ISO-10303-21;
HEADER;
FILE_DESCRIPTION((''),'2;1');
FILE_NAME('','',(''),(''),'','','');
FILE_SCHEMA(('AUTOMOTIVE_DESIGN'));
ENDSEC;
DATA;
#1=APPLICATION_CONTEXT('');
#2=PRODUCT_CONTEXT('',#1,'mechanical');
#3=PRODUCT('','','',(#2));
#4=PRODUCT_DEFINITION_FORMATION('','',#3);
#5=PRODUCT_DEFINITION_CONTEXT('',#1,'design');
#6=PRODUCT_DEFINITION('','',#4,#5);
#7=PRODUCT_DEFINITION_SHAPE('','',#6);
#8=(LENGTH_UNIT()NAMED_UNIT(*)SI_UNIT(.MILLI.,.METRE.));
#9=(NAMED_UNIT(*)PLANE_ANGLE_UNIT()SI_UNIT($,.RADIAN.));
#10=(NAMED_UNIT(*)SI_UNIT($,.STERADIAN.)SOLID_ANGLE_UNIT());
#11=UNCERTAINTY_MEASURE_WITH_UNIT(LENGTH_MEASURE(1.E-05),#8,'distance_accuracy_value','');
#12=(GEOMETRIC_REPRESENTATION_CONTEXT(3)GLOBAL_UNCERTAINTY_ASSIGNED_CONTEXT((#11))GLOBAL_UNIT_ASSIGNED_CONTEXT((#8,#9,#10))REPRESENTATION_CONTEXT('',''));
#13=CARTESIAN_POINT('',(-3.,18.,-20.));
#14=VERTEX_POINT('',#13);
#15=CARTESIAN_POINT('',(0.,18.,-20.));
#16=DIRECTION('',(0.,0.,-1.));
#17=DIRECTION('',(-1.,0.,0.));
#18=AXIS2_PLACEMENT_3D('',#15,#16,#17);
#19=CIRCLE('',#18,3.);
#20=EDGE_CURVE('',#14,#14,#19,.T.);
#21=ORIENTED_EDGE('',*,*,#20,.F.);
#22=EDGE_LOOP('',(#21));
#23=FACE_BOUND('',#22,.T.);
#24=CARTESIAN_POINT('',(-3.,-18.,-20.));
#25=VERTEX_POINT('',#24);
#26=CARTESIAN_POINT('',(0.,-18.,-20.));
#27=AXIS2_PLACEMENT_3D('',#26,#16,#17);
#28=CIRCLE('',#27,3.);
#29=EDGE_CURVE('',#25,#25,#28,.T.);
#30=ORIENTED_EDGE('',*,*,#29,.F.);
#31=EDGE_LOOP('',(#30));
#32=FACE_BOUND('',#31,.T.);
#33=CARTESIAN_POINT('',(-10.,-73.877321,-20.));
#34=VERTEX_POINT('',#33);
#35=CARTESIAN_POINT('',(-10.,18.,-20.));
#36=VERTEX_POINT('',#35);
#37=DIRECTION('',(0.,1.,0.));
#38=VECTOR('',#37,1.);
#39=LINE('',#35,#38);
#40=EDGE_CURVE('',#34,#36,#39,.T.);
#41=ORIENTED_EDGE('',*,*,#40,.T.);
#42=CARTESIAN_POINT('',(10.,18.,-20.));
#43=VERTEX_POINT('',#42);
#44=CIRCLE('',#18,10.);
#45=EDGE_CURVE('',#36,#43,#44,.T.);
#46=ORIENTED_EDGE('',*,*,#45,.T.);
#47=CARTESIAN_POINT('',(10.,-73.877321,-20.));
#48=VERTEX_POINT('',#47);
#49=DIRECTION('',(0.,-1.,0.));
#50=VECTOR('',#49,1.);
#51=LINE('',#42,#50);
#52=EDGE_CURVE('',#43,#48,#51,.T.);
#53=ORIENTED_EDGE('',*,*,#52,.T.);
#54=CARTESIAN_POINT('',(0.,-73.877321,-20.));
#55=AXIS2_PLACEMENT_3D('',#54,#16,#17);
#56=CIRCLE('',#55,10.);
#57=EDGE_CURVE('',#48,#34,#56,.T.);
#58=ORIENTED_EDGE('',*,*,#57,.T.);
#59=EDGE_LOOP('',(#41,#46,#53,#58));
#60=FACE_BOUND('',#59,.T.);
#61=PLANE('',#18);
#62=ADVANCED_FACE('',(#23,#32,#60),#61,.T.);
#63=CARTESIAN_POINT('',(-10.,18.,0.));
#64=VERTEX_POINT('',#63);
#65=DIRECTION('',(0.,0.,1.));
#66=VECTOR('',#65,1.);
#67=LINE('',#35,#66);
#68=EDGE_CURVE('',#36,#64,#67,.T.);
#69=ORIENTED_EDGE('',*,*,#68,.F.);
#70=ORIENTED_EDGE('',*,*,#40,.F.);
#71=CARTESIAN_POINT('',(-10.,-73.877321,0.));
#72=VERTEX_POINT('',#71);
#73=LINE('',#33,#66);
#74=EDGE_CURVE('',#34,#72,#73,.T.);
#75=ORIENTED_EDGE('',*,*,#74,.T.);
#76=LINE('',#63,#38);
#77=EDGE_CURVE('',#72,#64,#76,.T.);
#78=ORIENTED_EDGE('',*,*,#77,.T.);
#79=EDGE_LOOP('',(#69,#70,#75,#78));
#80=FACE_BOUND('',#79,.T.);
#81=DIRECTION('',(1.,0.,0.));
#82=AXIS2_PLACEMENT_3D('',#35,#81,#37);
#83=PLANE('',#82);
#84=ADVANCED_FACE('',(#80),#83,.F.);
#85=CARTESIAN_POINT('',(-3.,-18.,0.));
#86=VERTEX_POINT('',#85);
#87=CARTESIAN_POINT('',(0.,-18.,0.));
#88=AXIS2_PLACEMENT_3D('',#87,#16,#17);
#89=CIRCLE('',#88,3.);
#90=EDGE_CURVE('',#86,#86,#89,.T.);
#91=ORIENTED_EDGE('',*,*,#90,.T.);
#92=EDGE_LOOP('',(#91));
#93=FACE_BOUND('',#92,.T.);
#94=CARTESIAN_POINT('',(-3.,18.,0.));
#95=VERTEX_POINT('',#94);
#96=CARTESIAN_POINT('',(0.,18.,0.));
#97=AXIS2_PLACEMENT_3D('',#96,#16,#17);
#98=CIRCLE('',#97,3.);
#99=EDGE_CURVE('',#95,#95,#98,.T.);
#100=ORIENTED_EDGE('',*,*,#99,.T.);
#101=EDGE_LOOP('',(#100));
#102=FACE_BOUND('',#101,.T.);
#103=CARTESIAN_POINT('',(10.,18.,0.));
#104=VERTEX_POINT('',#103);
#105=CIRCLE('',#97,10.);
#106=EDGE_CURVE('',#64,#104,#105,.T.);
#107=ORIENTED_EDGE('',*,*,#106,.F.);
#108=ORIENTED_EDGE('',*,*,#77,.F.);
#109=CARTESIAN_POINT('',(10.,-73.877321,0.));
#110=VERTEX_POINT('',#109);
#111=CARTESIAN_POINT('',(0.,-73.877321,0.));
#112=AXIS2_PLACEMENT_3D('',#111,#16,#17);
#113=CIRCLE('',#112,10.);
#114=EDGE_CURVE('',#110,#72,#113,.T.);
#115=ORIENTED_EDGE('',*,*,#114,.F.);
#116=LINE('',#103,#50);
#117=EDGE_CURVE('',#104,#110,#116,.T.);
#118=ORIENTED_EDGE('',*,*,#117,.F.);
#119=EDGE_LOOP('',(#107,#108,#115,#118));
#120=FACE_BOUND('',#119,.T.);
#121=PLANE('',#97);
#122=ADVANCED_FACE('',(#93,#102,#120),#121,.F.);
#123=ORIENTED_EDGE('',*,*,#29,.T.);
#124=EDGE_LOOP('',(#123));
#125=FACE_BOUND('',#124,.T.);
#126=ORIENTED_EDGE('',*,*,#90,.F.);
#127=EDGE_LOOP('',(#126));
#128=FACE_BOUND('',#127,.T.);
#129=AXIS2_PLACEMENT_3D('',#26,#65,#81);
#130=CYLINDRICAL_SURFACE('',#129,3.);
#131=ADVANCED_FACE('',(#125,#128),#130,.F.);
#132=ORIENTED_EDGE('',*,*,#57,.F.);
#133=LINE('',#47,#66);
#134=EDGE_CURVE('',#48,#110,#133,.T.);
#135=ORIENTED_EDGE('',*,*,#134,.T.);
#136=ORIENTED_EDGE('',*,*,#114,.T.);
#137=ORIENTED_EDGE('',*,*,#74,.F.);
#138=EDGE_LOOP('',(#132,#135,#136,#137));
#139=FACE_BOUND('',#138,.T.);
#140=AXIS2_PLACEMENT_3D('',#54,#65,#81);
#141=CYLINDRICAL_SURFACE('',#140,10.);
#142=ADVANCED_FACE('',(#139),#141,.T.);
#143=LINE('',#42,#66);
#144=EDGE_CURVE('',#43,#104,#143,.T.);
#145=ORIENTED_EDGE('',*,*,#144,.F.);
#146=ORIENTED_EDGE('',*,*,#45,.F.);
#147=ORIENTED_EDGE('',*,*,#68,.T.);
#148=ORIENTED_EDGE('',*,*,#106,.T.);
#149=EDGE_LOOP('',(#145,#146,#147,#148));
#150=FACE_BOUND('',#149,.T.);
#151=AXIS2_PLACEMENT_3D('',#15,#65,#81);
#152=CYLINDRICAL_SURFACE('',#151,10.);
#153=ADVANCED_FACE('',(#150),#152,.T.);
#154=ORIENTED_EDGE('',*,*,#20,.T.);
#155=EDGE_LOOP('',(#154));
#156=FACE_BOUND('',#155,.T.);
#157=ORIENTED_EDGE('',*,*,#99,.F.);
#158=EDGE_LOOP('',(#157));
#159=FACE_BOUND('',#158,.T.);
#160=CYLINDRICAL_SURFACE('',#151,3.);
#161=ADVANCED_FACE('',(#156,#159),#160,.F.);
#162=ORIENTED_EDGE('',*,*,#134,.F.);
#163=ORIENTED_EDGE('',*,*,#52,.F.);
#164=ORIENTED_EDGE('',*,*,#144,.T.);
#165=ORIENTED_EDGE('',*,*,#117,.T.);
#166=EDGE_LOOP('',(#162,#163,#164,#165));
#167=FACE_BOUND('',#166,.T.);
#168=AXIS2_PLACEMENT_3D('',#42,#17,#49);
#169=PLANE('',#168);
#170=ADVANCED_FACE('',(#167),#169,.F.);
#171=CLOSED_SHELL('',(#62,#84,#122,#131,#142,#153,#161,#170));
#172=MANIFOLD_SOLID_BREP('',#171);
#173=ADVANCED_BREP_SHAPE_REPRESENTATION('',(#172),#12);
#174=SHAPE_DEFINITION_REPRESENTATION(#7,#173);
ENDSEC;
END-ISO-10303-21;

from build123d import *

# Parameters (mm, degrees)
SKETCH2_R           = 3
BOSS_EXTRUDE3_DEPTH = 20


with BuildPart() as part:
    # Sketch2 → Boss-Extrude3 (new body)
    with BuildSketch(Plane(origin=(0, 0, 0), x_dir=(-1, 0, 0), z_dir=(0, 0, -1))):
        with BuildLine():
            Line((10, 18), (10, -73.877320947))
            ThreePointArc((10, -73.877320947), (0, -83.877320947), (-10, -73.877320947))
            Line((-10, -73.877320947), (-10, 18))
            ThreePointArc((-10, 18), (0, 28), (10, 18))
        make_face()
        with Locations((0, -18)):
            Circle(SKETCH2_R, mode=Mode.SUBTRACT)
        with Locations((0, 18)):
            Circle(SKETCH2_R, mode=Mode.SUBTRACT)
    extrude(amount=BOSS_EXTRUDE3_DEPTH)


solid = part.part
